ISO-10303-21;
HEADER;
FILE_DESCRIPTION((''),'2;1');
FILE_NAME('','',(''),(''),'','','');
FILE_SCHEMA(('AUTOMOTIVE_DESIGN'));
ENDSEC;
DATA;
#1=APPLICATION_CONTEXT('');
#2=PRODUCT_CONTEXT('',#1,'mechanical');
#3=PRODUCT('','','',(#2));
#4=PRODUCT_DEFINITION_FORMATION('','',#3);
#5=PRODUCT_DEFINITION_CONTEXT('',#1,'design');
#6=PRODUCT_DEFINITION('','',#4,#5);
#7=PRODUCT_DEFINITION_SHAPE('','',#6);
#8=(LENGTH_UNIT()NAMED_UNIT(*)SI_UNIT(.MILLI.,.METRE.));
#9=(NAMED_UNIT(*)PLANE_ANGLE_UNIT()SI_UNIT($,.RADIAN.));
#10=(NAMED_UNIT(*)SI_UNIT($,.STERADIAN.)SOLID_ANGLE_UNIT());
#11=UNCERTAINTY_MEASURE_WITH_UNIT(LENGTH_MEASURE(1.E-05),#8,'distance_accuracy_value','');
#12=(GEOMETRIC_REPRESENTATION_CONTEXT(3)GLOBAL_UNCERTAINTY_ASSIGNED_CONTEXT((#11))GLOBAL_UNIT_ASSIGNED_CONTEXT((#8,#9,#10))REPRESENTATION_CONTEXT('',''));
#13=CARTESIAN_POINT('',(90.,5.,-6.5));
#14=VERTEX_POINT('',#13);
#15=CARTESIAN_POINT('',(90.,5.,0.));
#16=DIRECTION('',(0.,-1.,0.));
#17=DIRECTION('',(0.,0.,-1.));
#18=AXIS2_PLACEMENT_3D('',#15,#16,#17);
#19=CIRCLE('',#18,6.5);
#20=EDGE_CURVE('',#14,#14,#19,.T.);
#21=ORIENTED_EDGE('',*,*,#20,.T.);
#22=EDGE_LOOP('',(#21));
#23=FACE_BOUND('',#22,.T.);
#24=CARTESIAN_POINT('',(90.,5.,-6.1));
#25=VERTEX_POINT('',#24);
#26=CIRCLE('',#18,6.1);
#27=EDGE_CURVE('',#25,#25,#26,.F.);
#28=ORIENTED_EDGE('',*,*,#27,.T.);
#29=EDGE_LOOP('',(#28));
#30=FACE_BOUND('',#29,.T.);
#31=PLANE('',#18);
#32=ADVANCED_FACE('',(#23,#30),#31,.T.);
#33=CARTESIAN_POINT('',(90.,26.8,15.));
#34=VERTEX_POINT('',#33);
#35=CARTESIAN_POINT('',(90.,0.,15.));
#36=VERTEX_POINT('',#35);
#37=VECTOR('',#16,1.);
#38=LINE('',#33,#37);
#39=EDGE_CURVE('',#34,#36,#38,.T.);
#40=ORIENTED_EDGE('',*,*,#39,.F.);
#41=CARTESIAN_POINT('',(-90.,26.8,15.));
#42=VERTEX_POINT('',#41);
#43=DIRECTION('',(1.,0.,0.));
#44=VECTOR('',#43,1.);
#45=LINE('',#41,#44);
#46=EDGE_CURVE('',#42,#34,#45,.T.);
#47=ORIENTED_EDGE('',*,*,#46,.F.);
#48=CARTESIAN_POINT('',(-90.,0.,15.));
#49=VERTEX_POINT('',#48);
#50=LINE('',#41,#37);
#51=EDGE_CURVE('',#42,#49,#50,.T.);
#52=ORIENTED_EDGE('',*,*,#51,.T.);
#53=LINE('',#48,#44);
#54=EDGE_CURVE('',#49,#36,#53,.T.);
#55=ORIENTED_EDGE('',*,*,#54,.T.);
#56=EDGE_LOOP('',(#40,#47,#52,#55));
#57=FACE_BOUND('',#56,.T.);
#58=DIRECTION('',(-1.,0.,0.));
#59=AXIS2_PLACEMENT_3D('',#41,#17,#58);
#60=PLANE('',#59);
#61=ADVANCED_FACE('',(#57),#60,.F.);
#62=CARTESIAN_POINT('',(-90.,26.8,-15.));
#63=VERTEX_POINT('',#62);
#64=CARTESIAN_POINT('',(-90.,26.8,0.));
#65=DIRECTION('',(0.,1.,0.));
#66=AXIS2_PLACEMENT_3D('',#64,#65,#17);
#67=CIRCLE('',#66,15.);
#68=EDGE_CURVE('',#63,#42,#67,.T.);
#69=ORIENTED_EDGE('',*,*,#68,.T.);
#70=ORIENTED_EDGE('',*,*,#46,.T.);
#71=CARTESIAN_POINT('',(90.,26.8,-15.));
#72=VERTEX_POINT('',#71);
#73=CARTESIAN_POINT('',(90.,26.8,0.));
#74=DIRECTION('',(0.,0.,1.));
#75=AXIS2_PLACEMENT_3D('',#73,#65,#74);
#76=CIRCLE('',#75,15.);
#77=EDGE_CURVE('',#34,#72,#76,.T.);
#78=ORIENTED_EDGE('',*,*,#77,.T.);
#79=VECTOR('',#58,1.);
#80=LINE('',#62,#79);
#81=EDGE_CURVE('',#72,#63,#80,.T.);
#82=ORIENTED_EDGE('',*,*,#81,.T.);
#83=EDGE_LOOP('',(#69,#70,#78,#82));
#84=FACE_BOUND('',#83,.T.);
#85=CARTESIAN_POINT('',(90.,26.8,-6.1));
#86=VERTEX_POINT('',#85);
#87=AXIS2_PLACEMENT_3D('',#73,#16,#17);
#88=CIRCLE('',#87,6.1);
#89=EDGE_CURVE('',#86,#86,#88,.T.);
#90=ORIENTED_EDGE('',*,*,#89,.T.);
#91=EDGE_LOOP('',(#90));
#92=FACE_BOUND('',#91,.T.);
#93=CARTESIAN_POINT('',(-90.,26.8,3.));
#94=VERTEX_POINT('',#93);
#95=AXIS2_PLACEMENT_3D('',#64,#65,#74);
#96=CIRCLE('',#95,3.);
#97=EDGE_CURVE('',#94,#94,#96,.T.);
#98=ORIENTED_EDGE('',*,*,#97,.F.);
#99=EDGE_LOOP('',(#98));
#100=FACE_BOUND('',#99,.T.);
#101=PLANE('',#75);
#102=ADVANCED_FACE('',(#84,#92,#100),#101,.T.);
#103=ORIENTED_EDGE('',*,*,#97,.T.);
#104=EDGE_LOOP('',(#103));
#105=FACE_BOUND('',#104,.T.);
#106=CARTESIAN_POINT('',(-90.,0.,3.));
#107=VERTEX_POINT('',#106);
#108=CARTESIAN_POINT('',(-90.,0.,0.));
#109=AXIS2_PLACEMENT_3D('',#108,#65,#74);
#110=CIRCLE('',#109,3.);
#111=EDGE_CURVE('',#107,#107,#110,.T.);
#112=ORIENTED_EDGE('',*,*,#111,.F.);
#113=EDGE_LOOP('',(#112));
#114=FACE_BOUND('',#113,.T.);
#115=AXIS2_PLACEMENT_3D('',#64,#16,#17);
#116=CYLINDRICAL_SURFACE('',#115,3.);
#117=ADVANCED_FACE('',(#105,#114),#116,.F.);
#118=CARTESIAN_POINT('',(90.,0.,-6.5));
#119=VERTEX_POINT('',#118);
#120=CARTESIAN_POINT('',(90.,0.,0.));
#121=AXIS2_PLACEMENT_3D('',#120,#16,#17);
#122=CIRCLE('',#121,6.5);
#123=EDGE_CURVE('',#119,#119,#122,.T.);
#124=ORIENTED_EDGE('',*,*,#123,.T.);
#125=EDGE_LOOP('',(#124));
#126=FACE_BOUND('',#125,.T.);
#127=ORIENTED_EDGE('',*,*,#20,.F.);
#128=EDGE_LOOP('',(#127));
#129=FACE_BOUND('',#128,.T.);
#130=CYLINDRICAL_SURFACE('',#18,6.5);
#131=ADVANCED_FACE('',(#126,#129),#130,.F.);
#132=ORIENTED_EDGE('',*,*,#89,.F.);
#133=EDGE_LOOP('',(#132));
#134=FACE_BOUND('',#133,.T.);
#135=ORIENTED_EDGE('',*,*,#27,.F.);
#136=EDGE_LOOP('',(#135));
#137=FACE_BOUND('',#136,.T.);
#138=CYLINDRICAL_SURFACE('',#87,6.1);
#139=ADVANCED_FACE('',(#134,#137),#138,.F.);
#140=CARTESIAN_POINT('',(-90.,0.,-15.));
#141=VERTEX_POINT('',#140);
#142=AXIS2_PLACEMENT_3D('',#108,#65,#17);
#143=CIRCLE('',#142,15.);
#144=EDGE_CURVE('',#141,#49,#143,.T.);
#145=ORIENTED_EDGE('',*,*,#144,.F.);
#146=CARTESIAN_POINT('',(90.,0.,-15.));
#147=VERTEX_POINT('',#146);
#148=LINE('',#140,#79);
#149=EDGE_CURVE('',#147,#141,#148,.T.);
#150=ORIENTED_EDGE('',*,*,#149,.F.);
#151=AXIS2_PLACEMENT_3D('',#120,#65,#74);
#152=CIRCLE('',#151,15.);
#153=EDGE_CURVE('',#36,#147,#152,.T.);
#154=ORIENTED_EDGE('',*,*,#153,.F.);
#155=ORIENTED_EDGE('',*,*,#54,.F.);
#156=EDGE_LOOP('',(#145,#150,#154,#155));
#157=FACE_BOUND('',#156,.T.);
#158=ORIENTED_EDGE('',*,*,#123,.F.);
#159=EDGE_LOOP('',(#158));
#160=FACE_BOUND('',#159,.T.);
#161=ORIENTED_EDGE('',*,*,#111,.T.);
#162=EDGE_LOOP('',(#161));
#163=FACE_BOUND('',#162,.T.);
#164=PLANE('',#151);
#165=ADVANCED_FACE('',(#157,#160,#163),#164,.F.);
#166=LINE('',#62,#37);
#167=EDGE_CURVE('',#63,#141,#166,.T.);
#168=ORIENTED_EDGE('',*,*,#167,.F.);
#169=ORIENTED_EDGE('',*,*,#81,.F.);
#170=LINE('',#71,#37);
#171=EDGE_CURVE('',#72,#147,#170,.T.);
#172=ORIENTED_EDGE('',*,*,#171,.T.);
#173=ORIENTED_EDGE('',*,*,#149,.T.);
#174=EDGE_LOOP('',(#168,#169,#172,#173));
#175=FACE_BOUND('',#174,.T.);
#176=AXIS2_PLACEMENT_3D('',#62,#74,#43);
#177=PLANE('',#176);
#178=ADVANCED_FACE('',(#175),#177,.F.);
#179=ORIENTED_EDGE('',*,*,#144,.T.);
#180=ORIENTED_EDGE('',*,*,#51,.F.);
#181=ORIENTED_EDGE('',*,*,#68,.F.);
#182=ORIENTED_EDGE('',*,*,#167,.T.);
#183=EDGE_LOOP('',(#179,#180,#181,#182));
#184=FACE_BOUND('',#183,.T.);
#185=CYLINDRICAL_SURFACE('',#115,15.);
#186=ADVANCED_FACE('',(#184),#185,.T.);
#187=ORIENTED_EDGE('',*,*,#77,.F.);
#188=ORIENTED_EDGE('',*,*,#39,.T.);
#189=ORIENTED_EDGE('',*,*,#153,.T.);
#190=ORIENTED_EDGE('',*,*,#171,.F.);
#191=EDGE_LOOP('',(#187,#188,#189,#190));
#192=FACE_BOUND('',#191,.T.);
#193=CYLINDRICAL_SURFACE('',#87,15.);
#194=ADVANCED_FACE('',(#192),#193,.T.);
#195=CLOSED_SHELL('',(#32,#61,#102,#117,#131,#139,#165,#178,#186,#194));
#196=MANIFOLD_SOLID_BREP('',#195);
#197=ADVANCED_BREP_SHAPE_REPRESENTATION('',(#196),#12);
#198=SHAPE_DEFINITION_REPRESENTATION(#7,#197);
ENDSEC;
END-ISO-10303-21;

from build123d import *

# Parameters (mm, degrees)
SKETCH1_R           = 3
BOSS_EXTRUDE2_DEPTH = 26.8
SKETCH2_R           = 6.1
CUT_EXTRUDE1_DEPTH  = 26.8
SKETCH3_R           = 6.5
CUT_EXTRUDE2_DEPTH  = 5


with BuildPart() as part:
    # Sketch1 → Boss-Extrude2 (new body)
    with BuildSketch(Plane(origin=(0, 0, 0), x_dir=(1, 0, 0), z_dir=(0, 1, 0))):
        with BuildLine():
            Line((-90, -15), (90, -15))
            ThreePointArc((90, -15), (105, 0), (90, 15))
            Line((90, 15), (-90, 15))
            ThreePointArc((-90, 15), (-105, 0), (-90, -15))
        make_face()
        with Locations(Location((-90, 0, 0), (0, 0, 270))):
            Circle(SKETCH1_R, mode=Mode.SUBTRACT)
        with Locations(Location((90, 0, 0), (0, 0, 270))):
            Circle(SKETCH1_R, mode=Mode.SUBTRACT)
    extrude(amount=BOSS_EXTRUDE2_DEPTH)

    # Sketch2 → Cut-Extrude1 (cut)
    with BuildSketch(Plane.XZ):
        with Locations(Location((90, 0, 0), (0, 0, 270))):
            Circle(SKETCH2_R)
    extrude(amount=-CUT_EXTRUDE1_DEPTH, mode=Mode.SUBTRACT)

    # Sketch3 → Cut-Extrude2 (cut)
    with BuildSketch(Plane.XZ):
        with Locations(Location((90, 0, 0), (0, 0, 270))):
            Circle(SKETCH3_R)
    extrude(amount=-CUT_EXTRUDE2_DEPTH, mode=Mode.SUBTRACT)


solid = part.part
